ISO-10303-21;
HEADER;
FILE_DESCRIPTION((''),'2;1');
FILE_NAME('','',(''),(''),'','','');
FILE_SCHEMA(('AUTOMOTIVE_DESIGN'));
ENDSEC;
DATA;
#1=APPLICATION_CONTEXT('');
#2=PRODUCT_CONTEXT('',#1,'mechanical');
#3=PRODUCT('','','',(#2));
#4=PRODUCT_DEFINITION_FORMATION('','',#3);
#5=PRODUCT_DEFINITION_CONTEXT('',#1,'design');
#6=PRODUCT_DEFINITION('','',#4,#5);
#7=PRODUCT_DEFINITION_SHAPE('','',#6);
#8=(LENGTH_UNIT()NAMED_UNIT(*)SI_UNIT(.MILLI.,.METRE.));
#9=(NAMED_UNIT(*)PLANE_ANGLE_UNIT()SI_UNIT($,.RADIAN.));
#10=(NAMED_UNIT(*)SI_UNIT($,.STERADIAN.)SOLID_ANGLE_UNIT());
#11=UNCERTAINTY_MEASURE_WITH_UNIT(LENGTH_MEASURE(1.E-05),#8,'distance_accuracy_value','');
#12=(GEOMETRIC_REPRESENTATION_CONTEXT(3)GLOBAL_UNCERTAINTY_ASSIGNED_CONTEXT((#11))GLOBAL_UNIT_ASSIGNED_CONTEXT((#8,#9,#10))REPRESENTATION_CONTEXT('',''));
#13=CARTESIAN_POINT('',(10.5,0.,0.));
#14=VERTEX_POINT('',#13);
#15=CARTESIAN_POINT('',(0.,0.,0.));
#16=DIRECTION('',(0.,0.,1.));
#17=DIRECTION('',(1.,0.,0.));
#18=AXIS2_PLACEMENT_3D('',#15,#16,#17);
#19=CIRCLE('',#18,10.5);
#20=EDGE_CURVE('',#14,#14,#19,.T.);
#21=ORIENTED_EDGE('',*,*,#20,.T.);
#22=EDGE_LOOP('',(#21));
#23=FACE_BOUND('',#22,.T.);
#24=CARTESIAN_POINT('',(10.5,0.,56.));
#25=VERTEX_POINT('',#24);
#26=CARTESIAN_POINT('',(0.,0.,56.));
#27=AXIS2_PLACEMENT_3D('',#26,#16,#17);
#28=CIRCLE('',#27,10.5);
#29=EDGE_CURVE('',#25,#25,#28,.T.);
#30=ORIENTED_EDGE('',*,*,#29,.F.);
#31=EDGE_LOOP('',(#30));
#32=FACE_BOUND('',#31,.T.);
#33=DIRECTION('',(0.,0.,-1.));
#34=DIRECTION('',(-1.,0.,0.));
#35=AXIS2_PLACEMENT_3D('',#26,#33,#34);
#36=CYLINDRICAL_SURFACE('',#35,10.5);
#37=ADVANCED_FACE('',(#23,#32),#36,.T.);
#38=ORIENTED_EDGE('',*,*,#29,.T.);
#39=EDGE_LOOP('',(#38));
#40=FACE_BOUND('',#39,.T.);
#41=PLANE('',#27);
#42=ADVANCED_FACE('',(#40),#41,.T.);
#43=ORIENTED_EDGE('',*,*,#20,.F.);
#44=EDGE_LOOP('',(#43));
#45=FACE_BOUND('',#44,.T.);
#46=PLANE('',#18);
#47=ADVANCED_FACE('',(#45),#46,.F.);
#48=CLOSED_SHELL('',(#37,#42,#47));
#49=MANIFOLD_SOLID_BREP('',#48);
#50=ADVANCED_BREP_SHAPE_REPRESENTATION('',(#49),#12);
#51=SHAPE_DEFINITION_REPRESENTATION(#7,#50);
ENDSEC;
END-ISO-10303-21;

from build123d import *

# Parameters (mm, degrees)
CROQUIS1_R              = 10.5
SALIENTE_EXTRUIR1_DEPTH = 56


with BuildPart() as part:
    # Croquis1 → Saliente-Extruir1 (new body)
    with BuildSketch(Plane.XY):
        Circle(CROQUIS1_R)
    extrude(amount=SALIENTE_EXTRUIR1_DEPTH)


solid = part.part
